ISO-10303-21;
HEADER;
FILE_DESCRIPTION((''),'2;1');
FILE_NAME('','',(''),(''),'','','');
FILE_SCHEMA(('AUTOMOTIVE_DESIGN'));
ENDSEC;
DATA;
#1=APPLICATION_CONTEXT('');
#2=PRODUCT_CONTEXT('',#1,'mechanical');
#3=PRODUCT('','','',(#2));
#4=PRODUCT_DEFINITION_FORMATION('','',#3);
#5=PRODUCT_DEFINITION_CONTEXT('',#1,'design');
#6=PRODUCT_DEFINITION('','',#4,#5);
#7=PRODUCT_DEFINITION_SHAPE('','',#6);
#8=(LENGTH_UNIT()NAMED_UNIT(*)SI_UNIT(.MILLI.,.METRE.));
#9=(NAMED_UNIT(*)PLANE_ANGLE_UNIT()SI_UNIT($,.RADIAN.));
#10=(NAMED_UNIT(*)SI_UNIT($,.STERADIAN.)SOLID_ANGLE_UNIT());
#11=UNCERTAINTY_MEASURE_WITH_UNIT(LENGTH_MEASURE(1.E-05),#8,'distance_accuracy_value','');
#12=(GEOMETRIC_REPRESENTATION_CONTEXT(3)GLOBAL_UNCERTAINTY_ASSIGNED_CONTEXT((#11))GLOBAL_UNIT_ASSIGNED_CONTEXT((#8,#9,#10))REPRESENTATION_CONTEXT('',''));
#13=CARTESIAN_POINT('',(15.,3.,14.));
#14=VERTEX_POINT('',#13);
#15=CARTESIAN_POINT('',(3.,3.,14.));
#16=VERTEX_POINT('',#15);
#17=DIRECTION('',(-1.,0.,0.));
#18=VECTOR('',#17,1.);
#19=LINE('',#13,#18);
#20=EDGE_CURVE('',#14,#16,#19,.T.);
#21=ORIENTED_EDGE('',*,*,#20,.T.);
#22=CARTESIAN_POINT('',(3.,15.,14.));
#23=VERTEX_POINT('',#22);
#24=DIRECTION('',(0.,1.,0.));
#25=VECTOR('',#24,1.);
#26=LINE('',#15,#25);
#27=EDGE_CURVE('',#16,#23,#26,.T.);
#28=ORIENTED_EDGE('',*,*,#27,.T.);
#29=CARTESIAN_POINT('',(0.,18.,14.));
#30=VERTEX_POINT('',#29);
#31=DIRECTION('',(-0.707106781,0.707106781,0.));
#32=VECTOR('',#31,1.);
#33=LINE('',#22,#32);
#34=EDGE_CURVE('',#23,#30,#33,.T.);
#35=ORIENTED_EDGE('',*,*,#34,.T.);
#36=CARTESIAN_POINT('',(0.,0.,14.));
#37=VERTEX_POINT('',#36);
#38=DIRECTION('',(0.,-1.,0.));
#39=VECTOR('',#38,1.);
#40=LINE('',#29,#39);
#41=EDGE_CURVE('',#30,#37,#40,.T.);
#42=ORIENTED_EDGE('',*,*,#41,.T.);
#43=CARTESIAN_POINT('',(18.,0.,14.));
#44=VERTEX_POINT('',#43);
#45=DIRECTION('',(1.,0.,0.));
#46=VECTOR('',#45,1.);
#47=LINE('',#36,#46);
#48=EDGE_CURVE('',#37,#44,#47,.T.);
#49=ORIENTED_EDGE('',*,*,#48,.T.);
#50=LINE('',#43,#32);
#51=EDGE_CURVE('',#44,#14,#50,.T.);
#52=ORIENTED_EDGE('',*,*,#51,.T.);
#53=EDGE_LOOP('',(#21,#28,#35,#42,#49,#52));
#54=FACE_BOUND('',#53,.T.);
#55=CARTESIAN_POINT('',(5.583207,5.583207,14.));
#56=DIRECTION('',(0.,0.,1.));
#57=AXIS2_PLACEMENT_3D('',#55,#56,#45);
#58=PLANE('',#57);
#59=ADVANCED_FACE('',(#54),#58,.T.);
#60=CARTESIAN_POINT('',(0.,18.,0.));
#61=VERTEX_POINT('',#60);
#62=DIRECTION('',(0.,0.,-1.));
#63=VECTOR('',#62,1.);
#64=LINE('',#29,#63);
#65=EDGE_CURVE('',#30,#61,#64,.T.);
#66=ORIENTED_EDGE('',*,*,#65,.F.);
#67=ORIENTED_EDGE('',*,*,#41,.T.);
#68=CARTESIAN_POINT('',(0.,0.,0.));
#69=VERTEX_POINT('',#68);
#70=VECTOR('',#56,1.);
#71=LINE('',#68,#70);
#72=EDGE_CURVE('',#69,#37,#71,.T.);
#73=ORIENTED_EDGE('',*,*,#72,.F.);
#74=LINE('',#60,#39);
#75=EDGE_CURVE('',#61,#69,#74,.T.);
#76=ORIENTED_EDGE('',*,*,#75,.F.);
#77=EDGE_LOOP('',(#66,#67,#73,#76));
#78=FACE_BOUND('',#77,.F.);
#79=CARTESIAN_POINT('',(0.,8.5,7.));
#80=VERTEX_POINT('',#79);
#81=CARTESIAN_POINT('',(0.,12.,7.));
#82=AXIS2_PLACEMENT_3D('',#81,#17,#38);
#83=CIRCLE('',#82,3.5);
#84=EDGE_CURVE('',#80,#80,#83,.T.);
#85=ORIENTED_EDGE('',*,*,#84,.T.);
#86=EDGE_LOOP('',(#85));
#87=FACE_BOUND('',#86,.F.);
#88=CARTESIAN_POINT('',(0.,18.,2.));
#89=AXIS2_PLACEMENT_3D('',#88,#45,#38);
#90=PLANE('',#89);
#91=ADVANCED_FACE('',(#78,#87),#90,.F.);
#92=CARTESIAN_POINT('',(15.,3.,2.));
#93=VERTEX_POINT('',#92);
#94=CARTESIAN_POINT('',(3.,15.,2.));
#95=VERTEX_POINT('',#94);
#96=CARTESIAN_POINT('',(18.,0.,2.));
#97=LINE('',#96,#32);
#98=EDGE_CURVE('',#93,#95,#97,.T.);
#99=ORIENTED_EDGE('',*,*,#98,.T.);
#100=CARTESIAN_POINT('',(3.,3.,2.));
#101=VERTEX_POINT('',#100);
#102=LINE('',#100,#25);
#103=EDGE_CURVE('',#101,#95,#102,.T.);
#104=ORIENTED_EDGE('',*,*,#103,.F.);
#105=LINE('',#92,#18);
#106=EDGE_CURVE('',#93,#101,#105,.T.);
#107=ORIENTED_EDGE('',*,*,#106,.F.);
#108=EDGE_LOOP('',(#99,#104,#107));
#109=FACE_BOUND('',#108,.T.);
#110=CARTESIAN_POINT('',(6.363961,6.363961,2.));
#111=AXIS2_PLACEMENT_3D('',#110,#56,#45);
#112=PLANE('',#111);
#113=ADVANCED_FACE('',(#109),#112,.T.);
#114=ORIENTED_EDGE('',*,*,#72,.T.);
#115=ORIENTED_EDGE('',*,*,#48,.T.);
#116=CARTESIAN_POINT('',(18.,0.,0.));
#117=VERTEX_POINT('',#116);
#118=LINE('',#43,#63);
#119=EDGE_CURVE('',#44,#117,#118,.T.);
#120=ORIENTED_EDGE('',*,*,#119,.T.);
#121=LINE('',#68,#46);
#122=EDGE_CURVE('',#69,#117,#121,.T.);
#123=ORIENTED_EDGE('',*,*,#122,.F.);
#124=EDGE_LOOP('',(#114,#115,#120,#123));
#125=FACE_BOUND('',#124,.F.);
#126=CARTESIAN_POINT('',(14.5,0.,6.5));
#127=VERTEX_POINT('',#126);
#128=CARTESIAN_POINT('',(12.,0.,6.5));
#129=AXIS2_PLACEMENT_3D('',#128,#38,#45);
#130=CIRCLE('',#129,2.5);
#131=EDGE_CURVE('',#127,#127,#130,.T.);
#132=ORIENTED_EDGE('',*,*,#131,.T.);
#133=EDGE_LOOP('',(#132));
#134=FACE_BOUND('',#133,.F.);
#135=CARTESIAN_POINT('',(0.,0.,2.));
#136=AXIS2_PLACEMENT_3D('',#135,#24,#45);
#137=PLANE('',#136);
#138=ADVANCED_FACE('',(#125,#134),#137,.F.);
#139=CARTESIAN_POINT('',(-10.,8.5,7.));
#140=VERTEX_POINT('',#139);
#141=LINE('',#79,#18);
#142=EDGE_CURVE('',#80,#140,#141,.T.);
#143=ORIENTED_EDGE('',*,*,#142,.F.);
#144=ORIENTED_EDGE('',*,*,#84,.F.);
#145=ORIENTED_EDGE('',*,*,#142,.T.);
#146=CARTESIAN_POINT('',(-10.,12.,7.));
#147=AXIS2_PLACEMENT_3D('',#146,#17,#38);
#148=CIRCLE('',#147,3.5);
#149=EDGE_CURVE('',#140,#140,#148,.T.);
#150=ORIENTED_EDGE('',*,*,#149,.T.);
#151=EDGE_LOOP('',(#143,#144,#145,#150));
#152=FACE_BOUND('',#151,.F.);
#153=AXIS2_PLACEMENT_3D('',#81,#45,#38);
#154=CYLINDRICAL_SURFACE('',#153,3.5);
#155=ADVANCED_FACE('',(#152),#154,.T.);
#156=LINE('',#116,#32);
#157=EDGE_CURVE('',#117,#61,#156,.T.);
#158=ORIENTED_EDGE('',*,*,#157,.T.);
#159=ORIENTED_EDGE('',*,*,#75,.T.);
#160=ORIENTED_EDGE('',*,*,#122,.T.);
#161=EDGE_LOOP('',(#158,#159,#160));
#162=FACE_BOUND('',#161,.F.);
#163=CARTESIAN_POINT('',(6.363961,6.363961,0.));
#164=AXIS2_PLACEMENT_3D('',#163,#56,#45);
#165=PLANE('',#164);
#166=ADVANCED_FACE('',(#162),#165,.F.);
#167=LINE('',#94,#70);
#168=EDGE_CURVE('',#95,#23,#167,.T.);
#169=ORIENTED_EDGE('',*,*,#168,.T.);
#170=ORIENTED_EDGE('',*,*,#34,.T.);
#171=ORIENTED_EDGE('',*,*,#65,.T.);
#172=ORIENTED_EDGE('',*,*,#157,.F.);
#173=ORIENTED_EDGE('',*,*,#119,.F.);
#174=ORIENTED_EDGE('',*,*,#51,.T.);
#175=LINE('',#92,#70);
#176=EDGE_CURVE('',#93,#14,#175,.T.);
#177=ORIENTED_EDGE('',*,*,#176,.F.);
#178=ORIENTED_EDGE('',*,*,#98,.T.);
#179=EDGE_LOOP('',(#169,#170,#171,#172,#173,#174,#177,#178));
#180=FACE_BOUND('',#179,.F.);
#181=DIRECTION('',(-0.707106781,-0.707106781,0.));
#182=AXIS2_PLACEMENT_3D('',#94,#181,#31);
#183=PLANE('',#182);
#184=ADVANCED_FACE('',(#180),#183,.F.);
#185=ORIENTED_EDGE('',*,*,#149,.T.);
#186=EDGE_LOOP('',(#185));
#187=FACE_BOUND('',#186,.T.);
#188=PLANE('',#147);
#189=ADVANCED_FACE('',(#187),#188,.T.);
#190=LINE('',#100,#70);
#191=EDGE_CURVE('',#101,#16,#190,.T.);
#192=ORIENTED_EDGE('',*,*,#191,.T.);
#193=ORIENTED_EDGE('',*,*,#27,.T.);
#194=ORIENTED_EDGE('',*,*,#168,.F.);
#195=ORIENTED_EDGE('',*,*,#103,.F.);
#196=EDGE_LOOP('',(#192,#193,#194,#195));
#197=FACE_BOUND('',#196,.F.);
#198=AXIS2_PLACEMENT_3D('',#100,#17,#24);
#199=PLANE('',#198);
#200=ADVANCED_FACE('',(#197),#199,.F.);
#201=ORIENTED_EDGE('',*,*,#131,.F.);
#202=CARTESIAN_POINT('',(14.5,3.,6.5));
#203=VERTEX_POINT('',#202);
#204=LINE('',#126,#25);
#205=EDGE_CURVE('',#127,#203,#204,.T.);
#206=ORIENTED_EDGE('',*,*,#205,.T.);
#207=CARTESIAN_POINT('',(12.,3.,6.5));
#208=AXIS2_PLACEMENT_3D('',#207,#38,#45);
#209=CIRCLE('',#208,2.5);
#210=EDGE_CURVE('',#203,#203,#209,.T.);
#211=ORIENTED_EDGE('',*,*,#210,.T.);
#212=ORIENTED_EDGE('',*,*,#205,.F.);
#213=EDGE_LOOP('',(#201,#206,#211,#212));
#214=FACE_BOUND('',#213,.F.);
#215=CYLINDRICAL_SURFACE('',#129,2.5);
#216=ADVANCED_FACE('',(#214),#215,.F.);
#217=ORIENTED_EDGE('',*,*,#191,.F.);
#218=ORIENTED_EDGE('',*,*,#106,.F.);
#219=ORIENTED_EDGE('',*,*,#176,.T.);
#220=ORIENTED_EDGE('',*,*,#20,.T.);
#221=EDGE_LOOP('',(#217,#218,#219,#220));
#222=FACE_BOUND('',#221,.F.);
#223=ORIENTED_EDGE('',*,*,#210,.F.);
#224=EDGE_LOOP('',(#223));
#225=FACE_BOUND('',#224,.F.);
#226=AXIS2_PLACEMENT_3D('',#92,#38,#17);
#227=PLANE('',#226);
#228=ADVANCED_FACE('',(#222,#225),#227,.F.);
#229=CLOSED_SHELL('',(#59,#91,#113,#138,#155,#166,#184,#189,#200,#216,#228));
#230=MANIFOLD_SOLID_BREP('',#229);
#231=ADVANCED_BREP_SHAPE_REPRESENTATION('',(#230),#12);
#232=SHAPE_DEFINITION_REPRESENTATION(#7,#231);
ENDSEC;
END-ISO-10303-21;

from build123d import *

# Parameters (mm, degrees)
F1_DEPTH = 2
F3_DEPTH = 12
F4_R     = 3.5
F5_DEPTH = 10
F6_R     = 2.5
F7_DEPTH = 18.001


with BuildPart() as f1:
    # F0 (on Top) → F1 (new body)
    with BuildSketch(Plane.XY):
        Polygon((0, 18), (0, 0), (18, 0), align=None)
    extrude(amount=F1_DEPTH)

    # F2 (on face) → F3 (join)
    with BuildSketch(Plane.XY.offset(2)):
        Polygon((0, 18), (0, 0), (18, 0), (15, 3), (3, 3), (3, 15), align=None)
    extrude(amount=F3_DEPTH)

    # F4 (on face) → F5 (join)
    with BuildSketch(Plane(origin=(0, 0, 0), x_dir=(0, -1, 0), z_dir=(-1, 0, 0))):
        with Locations((-12, 7)):
            Circle(F4_R)
    extrude(amount=F5_DEPTH)

    # F6 (on face) → F7 (cut, through all)
    with BuildSketch(Plane.XZ):
        with Locations((12, 6.5)):
            Circle(F6_R)
    extrude(amount=-F7_DEPTH, mode=Mode.SUBTRACT)


solid = f1.part
